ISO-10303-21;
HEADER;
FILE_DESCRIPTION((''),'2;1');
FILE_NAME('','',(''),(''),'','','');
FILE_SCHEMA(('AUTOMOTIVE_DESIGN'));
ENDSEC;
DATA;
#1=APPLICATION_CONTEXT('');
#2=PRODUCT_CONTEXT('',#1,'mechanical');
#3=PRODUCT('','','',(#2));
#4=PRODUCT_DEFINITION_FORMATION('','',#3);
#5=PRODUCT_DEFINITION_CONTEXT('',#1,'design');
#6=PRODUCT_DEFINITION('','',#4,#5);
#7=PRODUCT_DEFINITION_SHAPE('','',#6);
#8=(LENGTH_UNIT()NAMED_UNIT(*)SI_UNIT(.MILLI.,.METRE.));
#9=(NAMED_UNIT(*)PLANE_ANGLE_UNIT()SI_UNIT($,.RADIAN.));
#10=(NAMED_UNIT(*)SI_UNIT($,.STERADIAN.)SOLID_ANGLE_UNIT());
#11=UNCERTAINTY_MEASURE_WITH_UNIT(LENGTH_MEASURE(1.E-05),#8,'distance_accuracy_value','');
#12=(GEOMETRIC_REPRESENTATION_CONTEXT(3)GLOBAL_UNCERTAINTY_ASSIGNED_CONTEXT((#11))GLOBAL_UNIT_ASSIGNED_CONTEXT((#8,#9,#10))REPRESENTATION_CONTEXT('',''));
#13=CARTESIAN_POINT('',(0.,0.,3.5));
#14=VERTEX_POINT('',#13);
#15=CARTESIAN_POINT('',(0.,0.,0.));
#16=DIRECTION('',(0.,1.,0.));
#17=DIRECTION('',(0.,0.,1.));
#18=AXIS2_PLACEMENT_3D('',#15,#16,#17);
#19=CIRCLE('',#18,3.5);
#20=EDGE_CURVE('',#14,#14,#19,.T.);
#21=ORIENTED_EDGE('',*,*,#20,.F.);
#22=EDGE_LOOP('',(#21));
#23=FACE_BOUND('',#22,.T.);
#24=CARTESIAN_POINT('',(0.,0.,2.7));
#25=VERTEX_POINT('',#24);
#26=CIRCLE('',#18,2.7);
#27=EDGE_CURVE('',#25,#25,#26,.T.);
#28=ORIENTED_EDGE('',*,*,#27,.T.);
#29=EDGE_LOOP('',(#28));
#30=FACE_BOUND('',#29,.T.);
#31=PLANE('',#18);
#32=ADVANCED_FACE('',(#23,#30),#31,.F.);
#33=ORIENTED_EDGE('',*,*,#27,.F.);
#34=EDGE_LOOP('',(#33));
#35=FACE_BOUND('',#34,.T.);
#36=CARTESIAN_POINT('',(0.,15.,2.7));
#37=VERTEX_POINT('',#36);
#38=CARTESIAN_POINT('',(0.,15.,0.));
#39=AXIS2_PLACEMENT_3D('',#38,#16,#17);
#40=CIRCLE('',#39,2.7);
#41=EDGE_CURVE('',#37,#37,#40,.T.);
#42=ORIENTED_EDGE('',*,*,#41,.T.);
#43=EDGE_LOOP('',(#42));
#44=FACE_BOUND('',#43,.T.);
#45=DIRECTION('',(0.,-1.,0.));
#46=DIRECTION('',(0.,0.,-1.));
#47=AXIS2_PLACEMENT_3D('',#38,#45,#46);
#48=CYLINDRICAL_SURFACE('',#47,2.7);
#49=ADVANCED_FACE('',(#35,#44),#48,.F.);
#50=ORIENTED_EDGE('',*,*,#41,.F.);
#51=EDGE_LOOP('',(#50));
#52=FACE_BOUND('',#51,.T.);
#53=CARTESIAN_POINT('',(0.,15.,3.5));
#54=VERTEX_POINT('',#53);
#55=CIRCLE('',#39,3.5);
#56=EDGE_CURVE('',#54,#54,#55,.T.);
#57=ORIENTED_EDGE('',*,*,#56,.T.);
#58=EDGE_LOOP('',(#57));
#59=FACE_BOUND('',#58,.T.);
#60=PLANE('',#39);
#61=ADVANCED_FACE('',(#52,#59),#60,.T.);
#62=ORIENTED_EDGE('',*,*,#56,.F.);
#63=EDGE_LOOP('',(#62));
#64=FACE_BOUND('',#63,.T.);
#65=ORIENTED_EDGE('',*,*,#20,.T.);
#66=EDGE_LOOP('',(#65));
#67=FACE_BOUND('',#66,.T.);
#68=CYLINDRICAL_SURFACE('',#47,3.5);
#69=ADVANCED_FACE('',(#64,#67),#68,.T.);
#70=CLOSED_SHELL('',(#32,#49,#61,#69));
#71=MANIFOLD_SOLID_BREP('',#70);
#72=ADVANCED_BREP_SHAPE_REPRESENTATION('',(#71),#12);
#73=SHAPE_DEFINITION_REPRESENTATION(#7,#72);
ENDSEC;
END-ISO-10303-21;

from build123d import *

# Parameters (mm, degrees)
SKETCH2_R           = 3.5
SKETCH2_R_2         = 2.7
BOSS_EXTRUDE1_DEPTH = 15


with BuildPart() as part:
    # Sketch2 → Boss-Extrude1 (new body)
    with BuildSketch(Plane(origin=(0, 0, 0), x_dir=(1, 0, 0), z_dir=(0, 1, 0))):
        Circle(SKETCH2_R)
        Circle(SKETCH2_R_2, mode=Mode.SUBTRACT)
    extrude(amount=BOSS_EXTRUDE1_DEPTH)


solid = part.part
